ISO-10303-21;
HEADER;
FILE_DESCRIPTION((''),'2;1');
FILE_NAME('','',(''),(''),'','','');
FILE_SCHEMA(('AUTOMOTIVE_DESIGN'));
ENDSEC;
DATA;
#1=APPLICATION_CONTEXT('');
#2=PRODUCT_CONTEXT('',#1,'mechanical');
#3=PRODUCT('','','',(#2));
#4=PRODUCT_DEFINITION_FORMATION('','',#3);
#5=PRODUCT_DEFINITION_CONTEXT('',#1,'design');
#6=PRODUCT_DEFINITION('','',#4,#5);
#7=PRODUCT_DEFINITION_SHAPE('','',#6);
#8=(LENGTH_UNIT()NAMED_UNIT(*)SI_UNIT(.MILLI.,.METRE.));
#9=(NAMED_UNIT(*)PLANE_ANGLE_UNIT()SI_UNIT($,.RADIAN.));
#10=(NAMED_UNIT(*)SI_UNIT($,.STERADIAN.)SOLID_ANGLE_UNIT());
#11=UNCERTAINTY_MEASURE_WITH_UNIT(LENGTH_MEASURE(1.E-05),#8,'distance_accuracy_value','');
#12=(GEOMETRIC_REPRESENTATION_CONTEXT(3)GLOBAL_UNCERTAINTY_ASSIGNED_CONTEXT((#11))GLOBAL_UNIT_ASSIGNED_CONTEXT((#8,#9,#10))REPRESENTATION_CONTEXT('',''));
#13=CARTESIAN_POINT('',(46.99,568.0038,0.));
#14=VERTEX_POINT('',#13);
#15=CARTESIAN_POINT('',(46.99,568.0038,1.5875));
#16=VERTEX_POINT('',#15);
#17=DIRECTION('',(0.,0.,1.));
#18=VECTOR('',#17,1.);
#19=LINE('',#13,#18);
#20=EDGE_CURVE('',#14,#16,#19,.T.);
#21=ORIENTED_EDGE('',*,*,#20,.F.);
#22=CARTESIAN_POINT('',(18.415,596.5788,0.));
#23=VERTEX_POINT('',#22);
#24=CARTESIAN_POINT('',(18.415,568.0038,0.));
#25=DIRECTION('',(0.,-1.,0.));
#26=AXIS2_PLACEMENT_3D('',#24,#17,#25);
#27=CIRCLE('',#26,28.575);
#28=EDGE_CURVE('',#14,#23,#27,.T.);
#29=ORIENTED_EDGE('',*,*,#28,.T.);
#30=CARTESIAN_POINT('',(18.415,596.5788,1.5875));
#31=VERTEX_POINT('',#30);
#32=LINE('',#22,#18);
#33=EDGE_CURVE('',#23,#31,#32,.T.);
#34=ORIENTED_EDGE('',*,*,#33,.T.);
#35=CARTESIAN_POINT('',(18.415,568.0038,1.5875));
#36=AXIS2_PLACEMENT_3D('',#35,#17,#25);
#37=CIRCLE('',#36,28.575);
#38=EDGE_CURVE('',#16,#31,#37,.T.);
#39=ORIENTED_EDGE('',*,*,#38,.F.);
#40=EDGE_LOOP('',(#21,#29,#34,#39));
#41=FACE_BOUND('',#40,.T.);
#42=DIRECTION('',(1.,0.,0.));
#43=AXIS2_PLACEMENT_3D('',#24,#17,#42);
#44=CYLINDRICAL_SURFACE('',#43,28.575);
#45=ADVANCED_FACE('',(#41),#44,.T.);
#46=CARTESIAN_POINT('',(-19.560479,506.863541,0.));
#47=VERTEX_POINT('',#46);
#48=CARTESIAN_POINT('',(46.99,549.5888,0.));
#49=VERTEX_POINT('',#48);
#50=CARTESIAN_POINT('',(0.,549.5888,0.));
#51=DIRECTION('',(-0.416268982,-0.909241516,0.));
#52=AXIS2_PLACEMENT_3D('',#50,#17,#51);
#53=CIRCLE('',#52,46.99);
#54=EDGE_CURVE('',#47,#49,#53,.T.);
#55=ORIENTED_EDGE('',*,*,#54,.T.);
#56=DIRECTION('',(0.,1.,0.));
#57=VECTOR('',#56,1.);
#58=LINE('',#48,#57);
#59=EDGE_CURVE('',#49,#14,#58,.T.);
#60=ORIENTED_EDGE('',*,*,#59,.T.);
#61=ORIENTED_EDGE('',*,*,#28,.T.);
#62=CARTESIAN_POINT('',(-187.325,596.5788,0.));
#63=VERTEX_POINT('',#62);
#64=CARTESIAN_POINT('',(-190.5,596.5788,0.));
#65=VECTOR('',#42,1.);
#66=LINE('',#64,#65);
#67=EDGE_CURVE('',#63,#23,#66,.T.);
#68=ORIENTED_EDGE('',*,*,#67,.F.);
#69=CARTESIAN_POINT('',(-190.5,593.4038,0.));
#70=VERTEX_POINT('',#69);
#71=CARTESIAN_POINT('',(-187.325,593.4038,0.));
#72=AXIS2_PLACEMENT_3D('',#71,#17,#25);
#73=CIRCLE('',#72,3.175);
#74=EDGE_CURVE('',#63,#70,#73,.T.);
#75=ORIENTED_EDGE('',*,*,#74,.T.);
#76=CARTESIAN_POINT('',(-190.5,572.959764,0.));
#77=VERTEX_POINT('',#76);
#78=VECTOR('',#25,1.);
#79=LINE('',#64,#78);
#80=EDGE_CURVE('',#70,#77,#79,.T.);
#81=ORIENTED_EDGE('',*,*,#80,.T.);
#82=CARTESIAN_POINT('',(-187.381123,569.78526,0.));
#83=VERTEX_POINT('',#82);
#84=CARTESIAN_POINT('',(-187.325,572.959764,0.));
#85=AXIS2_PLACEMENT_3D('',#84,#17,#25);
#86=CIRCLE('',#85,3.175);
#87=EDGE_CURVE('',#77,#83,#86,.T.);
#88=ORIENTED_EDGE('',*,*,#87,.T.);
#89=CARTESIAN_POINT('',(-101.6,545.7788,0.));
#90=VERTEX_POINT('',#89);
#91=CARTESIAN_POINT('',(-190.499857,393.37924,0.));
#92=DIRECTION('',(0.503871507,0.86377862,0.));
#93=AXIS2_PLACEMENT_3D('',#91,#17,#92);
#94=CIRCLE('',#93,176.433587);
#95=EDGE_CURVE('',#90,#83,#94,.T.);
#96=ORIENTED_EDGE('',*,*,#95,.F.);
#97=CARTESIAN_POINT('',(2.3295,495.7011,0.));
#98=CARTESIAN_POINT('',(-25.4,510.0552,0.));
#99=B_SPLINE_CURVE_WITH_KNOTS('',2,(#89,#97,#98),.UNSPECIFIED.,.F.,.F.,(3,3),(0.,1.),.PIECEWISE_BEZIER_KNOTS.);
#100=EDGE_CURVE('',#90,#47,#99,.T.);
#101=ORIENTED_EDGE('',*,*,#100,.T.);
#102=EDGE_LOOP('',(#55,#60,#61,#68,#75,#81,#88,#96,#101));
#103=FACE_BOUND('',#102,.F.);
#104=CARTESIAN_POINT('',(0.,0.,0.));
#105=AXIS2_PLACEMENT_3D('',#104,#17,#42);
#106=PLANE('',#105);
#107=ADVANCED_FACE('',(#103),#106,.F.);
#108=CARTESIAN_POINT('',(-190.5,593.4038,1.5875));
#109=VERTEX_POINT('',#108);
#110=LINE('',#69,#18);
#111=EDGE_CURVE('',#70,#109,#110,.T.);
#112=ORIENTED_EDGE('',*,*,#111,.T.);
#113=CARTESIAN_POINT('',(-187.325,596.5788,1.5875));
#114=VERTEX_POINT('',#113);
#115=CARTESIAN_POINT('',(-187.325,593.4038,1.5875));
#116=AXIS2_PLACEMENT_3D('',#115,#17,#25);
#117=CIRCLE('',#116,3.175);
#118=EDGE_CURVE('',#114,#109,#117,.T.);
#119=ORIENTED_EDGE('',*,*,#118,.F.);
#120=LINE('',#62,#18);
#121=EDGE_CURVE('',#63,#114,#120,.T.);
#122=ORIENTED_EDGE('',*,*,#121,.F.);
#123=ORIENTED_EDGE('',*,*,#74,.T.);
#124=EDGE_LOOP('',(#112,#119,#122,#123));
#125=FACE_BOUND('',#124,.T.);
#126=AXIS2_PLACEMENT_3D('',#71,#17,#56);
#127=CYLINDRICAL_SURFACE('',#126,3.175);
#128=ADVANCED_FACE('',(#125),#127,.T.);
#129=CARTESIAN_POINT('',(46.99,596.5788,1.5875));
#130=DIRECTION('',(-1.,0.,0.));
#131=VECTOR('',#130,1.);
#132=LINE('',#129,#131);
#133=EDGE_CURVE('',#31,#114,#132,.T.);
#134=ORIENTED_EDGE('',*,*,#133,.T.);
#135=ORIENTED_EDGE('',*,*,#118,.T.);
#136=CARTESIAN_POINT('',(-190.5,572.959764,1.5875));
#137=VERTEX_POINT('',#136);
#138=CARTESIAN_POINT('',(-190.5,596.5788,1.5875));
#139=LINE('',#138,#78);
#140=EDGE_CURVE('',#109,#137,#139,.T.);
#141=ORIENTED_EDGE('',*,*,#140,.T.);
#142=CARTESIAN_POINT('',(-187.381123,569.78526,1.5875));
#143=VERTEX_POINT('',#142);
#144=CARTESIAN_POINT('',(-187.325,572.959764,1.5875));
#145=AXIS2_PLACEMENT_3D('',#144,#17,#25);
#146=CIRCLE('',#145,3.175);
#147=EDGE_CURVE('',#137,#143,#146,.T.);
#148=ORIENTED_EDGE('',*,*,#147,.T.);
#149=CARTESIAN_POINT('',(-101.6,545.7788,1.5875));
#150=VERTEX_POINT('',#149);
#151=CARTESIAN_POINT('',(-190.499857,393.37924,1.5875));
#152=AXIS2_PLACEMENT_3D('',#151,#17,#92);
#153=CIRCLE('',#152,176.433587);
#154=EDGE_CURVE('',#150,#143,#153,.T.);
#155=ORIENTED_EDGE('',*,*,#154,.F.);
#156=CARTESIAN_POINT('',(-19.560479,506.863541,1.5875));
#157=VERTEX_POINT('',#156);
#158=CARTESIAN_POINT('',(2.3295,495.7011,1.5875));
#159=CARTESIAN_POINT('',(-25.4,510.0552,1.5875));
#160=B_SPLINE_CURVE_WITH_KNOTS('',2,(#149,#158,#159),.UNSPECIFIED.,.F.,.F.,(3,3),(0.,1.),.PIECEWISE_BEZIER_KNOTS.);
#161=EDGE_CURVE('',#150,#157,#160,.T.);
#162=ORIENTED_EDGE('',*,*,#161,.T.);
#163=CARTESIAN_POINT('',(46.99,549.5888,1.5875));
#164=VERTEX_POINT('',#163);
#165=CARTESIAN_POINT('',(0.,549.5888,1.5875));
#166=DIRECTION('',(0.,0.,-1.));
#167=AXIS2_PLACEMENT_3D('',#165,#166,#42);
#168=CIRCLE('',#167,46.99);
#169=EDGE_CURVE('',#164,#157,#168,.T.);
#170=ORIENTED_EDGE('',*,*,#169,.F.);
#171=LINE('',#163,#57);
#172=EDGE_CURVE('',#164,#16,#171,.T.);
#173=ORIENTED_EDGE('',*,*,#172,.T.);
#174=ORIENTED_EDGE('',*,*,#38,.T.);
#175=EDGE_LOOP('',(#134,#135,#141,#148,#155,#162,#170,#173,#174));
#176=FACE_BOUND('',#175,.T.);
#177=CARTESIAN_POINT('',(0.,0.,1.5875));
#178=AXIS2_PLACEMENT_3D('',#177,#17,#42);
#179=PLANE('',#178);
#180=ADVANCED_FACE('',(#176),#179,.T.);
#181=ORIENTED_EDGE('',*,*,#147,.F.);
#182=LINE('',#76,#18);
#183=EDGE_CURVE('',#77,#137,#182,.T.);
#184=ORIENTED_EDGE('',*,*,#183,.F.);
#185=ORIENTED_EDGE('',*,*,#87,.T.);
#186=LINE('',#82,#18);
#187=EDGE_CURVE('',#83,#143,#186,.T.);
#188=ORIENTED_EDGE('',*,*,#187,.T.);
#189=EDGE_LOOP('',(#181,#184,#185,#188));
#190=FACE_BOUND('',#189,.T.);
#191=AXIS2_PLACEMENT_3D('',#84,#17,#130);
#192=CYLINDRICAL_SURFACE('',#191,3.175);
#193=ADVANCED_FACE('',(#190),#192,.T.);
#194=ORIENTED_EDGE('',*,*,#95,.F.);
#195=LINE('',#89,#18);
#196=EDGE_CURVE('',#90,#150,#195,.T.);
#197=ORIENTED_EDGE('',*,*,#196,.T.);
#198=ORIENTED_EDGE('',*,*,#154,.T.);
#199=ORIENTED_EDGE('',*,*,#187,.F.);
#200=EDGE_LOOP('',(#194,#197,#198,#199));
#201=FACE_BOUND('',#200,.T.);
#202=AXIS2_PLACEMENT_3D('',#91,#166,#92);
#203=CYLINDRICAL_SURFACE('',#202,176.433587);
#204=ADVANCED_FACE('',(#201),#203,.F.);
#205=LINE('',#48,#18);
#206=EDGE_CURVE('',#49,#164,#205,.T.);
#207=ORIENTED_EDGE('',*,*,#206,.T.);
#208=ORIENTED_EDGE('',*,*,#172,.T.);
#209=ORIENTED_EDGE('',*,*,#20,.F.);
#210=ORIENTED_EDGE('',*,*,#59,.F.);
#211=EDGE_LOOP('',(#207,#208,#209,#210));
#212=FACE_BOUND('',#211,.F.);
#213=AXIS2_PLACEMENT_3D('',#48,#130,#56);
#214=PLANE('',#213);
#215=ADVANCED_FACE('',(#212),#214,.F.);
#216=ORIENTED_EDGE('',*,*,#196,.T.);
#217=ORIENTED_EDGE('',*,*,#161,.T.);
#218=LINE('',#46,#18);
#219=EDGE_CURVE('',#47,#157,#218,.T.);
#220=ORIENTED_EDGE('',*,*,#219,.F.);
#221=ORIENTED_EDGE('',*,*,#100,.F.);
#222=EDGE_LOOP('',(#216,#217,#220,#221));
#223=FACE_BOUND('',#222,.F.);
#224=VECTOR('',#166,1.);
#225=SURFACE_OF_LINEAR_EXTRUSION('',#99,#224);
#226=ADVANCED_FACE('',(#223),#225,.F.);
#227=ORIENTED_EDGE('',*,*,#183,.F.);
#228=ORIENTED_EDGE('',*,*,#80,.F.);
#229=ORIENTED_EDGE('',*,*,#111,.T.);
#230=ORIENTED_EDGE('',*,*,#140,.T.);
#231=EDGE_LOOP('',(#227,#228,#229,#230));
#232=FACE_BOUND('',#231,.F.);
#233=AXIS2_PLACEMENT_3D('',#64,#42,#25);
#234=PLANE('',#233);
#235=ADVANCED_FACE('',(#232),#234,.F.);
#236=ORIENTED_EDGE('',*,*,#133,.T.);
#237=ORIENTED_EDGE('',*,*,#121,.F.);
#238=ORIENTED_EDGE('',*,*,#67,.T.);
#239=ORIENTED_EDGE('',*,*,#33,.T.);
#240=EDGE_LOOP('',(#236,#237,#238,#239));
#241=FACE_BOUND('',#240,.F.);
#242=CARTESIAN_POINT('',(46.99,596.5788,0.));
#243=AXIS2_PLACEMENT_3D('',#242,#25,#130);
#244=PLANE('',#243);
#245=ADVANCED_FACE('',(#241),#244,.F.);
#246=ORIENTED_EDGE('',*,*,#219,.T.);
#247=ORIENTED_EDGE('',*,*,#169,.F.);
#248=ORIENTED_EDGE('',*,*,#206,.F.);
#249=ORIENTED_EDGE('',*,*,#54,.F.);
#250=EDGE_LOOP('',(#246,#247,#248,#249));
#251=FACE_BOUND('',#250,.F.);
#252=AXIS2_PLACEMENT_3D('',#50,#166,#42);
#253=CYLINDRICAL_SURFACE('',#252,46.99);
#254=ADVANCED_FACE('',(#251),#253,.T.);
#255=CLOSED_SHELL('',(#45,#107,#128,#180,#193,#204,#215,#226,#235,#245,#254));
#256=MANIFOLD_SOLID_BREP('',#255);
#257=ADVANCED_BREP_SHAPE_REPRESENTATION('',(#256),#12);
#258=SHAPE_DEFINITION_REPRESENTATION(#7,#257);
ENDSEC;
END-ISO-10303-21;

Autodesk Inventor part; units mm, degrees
ref_plane "YZ Plane" through (0, 0, 0) normal (1, 0, 0) x (0, 1, 0)
ref_plane "XZ Plane" through (0, 0, 0) normal (0, 1, 0) x (-1, 0, 0)
ref_plane "XY Plane" through (0, 0, 0) normal (0, 0, 1) x (1, 0, 0)
sketch "Sketch1" plane through (0, 0, 0) normal (0, 0, 1) x (1, 0, 0)
  circle A0 centre (0, 0) radius 25.4
  line L0 (0, 25.4) -> (-203.2, 25.4)
  line L1 (-203.2, 25.4) -> (-203.2, -12.7)
  line L2 (25.4, 0) -> (203.2, 0) construction
  line L3 (203.2, 0) -> (203.2, -127) construction
  arc A1 (203.2, -127) -> (-203.2, -12.7) centre (-98.0265, -418.3887) ccw construction
  line L4 (-203.2, 25.4) -> (-203.2, -50.8) construction
  arc A2 (203.2, -222.1538) -> (-203.2, -12.7) centre (-125.6377, -361.1999) ccw
  line L5 (-203.2, 25.4) -> (-203.2, 36.3602)
  line L6 (25.4, 0) -> (25.4, 25.4)
  line L7 (25.4, 25.4) -> (0, 25.4)
  circle A3 centre (0, 549.5888) radius 46.99
  line L8 (0, 596.5788) -> (-190.5, 596.5788)
  line L9 (46.99, 549.5888) -> (46.99, 596.5788)
  line L10 (46.99, 596.5788) -> (0, 596.5788)
  line L11 (46.99, 596.5788) -> (224.79, 596.5788)
  line L12 (224.79, 596.5788) -> (224.79, 190.1788)
  line L13 (0, 596.5788) -> (-190.5, 596.5788) construction
  line L14 (-190.5, 596.5788) -> (-190.5, 558.4788) construction
  line L15 (-190.5, 596.5788) -> (-190.5, 558.4788)
  line L16 (-190.5, 596.5788) -> (0, 596.5788)
  line L17 (0, 596.5788) -> (-101.6, 596.5788)
  line L18 (-101.6, 596.5788) -> (-101.6, 545.7788)
  line L19 (-101.6, 545.7788) -> (-46.99, 545.7788)
  line L20 (224.79, 190.1788) -> (-334.01, 190.1788)
  line L21 (23.495, -36.812) -> (-174.1484, -525.1707)
  line L22 (203.2, -222.1538) -> (-203.2, -12.7)
  line L23 (224.79, 264.9183) -> (-394.0921, 264.9183)
  line L24 (224.79, 596.5788) -> (224.79, 393.3788)
  line L25 (224.79, 393.3788) -> (-334.01, 393.3788)
  line L26 (0, 502.5988) -> (0, 393.3788)
  arc A4 (-101.6, 545.7788) -> (-247.5257, 560.3429) centre (-190.5, 393.3788) ccw
  spline S0 degree 2 poles (-101.6, 545.7788) (2.3295, 495.7011) (-25.4, 510.0552) knots 0 0 0 1 1 1
  point P0 (-19.5605, 506.8635)
  point P1 (-190.5, 569.8128)
  dimension "d0" = 50.8
  dimension "d1" = 203.2
  dimension "d2" = 177.8
  dimension "d3" = 127
  dimension "d4" = 38.1
  dimension "d5" = 419.1
  dimension "d6" = 76.2
  dimension "d7" = 457.2
  dimension "d8" = 93.98
  dimension "d11" = 177.8
  dimension "d12" = 406.4
  dimension "d13" = 190.5
  dimension "d14" = 38.1
  dimension "d18" = 101.6
  dimension "d19" = 558.8
  dimension "d20" = 203.2
  dimension "d21" = 558.8
extrude "Extrusion2" add sketch "Sketch1" along normal blind 1.5875 contours A3 S0 | A3 L10 L9 | A3 S0 L18 L8 | S0 A3 | L18 A4 L15 L8
fillet "Fillet2" radius 28.575 1 edges at (46.99, 596.5788, 0.7937)
fillet "Fillet3" radius 3.175 1 edges at (-190.5, 596.5788, 0.7937)
fillet "Fillet4" radius 3.175 1 edges at (-190.5, 569.8128, 0.7937)
sketch "Sketch3" plane through (0, 0, 1.5875) normal (0, 0, 1) x (1, 0, 0)
  circle A0 centre (-186.1685, 576.5475) radius 2.54
  point P0 (0, 0)
  dimension "d27" = 5.08
sketch "Sketch4" plane through (0, 0, 1.5875) normal (0, 0, 1) x (1, 0, 0)
  line L0 (-190.5, 593.4038) -> (-190.5, 572.9597) projected
  line L1 (46.99, 549.5888) -> (46.99, 568.0038) projected
  point P0 (0, 0)
properties part number "Better intake poly"
